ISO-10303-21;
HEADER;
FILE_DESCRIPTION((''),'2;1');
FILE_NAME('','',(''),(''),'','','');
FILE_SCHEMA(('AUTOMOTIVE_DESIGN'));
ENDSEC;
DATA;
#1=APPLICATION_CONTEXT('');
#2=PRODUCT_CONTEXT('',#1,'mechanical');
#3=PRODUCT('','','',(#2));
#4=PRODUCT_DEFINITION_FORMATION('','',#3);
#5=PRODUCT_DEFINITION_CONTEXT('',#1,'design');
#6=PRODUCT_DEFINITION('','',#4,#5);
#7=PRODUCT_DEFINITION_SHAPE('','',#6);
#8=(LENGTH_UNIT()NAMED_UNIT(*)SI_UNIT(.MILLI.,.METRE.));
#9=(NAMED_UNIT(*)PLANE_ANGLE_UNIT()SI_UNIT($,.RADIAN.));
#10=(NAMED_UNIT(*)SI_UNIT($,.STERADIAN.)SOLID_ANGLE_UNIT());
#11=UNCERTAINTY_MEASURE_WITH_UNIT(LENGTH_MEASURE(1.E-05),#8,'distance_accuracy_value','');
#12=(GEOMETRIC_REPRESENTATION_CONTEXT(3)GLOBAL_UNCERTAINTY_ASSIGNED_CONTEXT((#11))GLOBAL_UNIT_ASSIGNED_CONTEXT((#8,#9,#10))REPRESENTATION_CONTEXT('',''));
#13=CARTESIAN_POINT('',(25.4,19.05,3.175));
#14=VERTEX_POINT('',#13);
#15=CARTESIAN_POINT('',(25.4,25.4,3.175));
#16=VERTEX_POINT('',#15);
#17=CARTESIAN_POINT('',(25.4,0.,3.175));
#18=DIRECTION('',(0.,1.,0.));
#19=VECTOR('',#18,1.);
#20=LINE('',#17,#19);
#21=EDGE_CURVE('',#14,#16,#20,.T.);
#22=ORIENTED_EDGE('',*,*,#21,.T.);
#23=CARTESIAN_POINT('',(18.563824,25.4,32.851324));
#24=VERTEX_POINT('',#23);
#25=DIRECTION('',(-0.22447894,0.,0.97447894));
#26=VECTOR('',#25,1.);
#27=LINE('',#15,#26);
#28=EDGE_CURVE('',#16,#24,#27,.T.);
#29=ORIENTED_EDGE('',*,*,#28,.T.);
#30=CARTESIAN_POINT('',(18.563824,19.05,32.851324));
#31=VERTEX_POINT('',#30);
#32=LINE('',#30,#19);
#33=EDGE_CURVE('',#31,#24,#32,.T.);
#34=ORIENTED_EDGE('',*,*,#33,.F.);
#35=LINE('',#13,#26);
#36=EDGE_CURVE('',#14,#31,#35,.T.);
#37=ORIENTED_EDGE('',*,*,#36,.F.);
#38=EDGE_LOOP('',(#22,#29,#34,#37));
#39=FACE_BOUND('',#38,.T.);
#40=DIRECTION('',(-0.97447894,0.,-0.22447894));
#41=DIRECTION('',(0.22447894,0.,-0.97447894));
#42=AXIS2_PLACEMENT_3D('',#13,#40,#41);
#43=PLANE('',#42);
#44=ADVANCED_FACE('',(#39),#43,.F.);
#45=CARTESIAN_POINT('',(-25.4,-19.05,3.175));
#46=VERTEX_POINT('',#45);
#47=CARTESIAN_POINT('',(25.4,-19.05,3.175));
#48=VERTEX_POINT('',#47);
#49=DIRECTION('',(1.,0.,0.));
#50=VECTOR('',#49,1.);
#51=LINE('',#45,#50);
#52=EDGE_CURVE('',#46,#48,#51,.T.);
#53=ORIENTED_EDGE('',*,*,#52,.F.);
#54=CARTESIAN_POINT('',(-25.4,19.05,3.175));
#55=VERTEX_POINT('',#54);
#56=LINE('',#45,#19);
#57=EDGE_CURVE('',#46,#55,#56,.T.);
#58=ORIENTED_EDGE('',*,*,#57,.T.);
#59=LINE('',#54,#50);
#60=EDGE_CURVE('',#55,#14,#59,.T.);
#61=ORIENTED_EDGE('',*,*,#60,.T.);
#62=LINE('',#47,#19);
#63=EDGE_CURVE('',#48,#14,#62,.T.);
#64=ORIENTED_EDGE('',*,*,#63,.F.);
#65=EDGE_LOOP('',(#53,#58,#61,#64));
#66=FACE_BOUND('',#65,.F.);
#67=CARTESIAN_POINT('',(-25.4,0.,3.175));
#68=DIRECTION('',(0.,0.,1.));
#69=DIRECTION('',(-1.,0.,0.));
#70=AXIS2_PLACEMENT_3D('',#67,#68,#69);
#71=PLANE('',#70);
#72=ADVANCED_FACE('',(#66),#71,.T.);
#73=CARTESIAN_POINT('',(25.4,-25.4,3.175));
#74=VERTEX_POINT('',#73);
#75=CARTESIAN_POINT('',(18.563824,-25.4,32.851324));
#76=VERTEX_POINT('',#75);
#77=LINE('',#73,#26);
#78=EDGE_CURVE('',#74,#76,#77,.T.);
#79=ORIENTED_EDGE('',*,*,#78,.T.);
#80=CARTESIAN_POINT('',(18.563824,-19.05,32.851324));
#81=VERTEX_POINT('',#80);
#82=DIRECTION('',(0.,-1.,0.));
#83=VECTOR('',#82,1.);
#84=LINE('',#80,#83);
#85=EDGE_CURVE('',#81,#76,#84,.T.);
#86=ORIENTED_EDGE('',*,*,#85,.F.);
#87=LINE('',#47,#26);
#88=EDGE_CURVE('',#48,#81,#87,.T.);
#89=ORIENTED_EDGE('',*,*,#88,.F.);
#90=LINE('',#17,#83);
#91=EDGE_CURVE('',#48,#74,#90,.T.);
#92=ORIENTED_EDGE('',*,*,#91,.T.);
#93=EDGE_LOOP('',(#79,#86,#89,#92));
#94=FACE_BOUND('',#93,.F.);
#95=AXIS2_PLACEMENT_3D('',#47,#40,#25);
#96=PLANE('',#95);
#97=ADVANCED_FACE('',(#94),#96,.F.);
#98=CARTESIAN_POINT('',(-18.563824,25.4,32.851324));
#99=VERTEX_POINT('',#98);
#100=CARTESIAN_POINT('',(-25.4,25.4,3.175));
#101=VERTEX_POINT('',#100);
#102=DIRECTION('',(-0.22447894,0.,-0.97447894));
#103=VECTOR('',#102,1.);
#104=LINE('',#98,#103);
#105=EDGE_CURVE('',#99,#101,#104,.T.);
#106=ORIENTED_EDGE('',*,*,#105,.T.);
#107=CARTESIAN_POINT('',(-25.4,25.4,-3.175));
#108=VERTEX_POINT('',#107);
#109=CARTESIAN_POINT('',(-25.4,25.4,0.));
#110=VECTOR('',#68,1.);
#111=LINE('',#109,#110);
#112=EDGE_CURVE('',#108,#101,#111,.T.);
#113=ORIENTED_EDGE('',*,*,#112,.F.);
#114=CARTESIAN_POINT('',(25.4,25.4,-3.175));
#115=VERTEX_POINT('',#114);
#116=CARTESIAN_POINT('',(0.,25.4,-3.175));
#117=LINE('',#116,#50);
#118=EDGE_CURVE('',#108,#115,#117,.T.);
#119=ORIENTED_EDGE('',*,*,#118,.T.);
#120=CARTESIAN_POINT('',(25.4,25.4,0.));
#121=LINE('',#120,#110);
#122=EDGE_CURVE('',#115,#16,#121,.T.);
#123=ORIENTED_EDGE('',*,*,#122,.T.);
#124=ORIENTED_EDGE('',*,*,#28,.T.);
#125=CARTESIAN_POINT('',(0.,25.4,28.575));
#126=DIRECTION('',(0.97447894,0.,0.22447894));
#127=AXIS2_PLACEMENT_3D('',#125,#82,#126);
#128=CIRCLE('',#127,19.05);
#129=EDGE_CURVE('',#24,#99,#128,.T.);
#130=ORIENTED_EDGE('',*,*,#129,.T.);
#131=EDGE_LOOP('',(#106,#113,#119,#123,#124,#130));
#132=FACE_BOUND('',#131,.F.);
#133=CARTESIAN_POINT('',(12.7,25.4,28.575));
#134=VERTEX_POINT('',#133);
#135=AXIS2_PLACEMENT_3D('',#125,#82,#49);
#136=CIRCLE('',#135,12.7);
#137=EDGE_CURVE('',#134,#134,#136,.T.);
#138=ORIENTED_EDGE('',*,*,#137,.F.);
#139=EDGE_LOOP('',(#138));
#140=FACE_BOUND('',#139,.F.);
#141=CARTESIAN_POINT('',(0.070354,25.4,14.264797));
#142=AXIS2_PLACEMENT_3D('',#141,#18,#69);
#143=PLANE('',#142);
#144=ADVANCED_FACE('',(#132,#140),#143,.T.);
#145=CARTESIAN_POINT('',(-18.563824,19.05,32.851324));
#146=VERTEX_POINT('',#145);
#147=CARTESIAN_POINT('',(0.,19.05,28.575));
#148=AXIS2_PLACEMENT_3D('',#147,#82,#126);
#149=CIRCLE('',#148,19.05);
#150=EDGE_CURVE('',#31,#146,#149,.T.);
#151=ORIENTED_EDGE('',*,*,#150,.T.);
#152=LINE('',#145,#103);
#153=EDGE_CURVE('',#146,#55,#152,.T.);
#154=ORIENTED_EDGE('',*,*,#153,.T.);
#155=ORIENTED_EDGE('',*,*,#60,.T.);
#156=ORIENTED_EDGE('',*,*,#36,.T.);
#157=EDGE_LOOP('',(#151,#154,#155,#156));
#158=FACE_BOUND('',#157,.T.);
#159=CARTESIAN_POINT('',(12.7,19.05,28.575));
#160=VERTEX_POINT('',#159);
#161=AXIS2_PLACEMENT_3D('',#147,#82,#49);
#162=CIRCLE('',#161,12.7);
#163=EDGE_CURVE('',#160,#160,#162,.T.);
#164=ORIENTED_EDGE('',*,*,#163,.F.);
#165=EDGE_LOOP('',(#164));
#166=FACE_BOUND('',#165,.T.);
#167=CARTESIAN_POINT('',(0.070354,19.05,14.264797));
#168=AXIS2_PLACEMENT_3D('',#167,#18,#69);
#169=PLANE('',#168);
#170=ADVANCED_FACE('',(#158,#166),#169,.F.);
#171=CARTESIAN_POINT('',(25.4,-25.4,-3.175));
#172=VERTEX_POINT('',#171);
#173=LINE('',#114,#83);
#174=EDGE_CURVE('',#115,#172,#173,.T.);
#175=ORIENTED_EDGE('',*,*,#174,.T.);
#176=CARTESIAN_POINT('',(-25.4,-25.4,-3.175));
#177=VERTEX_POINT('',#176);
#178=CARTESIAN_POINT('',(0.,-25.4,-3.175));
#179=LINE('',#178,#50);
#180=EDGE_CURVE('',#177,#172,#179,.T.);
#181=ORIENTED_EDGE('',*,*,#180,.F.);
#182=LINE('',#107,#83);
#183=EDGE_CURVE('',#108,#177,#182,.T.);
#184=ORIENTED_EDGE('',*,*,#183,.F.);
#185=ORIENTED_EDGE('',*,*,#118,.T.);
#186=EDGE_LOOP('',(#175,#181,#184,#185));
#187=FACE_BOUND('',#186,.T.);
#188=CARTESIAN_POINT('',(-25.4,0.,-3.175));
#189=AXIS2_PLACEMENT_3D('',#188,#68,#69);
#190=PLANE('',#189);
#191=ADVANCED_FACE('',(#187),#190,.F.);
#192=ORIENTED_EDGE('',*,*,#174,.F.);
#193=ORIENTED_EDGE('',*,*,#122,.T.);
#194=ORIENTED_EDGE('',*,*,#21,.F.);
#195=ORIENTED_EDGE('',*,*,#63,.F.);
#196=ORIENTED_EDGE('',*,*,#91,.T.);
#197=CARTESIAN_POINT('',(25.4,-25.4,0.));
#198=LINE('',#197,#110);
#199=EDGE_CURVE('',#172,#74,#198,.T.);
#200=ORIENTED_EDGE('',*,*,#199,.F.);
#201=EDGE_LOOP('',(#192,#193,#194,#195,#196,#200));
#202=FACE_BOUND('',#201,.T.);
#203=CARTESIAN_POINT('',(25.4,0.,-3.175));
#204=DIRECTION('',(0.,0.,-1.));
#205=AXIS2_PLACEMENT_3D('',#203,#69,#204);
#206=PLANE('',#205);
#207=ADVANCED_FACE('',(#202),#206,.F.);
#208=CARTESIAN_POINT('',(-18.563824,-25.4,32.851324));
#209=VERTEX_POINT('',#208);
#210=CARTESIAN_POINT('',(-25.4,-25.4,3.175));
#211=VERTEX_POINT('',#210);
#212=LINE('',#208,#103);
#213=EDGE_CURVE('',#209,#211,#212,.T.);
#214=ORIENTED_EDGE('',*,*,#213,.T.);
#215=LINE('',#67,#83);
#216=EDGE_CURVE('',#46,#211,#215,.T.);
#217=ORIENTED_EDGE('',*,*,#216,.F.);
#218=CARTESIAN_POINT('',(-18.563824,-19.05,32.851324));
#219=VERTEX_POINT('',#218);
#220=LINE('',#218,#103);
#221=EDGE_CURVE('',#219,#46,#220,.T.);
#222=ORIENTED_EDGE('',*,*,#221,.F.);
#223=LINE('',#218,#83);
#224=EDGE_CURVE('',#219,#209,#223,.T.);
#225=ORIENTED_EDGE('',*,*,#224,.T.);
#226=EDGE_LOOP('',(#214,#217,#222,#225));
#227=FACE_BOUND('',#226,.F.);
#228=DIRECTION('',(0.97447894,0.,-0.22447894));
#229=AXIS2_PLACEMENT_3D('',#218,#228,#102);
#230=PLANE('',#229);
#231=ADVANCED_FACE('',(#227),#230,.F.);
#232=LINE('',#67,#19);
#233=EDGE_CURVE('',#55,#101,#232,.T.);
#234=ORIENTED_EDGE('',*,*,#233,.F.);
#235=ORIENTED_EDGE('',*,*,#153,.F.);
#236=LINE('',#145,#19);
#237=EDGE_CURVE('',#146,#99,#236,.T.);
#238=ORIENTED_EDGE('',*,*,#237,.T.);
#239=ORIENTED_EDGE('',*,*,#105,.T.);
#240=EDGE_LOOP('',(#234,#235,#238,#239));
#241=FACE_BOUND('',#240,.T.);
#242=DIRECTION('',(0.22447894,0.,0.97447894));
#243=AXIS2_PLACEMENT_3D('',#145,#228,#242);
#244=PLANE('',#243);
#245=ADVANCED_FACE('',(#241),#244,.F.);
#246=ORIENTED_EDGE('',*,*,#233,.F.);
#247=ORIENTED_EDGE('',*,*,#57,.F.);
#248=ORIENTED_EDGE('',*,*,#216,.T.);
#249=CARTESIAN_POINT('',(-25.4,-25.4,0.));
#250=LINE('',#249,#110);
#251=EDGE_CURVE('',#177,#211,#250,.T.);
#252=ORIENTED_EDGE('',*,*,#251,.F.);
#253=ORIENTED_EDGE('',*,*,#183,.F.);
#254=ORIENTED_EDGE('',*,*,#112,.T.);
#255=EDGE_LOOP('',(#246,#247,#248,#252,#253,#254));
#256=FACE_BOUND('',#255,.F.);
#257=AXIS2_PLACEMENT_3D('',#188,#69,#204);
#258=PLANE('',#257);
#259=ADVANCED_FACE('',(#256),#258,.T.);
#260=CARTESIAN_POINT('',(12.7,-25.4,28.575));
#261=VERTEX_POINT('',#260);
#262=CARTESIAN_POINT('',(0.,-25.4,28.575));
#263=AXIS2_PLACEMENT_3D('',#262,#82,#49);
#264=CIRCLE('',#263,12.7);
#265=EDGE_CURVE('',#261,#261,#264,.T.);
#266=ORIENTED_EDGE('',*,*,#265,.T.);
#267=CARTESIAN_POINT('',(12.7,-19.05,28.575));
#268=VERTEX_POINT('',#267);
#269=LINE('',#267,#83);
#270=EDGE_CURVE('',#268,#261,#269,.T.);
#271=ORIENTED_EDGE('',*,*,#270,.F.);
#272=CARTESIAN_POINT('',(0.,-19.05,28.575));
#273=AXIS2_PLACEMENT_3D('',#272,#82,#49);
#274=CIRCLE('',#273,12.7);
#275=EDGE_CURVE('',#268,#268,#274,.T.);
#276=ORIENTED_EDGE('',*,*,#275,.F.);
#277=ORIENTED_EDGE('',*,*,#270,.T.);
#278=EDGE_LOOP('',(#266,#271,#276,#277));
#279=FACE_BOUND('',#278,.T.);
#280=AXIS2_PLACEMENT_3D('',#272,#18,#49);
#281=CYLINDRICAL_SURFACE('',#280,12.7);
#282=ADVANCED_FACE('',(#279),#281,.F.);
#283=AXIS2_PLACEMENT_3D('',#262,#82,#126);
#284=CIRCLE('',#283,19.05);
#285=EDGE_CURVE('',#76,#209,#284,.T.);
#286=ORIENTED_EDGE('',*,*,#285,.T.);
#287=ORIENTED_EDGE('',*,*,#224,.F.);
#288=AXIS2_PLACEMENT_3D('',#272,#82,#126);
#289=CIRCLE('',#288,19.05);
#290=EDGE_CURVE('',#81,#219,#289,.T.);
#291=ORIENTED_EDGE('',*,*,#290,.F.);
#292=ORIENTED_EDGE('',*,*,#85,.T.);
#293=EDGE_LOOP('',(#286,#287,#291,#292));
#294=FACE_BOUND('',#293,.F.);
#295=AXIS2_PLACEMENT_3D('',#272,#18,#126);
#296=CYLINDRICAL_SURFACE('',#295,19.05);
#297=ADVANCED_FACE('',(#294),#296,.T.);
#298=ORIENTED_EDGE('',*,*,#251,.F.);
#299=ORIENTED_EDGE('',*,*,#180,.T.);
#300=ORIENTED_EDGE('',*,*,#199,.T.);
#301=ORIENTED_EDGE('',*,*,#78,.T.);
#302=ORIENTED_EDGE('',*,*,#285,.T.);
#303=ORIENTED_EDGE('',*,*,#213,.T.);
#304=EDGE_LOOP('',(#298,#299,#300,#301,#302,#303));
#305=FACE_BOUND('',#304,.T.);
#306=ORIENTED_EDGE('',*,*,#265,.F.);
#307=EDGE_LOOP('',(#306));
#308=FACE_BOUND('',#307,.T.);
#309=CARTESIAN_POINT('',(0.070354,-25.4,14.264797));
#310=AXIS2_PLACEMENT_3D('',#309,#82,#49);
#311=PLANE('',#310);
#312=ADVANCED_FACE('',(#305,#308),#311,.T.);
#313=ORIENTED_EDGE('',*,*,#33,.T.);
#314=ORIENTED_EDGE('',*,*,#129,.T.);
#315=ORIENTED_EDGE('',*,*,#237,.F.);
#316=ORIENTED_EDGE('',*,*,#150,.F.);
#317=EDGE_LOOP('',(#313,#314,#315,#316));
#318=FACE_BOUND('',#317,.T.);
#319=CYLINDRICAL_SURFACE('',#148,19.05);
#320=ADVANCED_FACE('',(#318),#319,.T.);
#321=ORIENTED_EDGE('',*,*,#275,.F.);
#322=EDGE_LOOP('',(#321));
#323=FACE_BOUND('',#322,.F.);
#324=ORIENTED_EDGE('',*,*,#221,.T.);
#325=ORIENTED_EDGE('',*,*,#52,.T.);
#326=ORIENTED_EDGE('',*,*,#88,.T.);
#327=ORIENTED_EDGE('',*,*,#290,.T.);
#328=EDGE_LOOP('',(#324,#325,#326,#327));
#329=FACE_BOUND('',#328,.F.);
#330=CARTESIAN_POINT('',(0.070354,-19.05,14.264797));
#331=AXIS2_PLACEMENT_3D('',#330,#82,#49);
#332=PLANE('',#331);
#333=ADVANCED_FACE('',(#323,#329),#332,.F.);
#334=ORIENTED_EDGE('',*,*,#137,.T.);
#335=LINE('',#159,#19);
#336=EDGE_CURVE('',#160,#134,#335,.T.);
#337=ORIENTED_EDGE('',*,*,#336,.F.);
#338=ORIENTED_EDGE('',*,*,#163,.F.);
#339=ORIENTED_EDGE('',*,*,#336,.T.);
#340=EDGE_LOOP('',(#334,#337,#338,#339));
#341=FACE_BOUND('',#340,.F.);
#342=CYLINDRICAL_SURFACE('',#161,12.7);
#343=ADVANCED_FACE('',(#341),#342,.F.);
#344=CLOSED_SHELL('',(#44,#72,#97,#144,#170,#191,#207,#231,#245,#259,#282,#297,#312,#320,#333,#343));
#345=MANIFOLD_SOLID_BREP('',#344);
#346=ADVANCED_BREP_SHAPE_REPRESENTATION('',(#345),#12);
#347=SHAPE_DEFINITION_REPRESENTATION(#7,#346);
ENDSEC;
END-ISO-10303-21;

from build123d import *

# Parameters (mm, degrees)
F0_W     = 50.8
F0_H     = 6.35
F1_DEPTH = 25.4
F2_START = 19.05
F0_R     = 12.7
F2_DEPTH = 6.35


with BuildPart() as f1:
    # F0 (on Front) → F1 (new body)
    with BuildSketch(Plane.XZ):
        Rectangle(F0_W, F0_H)
    extrude(amount=F1_DEPTH)

    # F0 (on Front) → F2 (join)
    with BuildSketch(Plane.XZ.offset(F2_START)):
        with BuildLine():
            Line((-25.4, 3.175), (25.4, 3.175))
            Line((25.4, 3.175), (18.5638238149, 32.8513238149))
            ThreePointArc((18.5638238149, 32.8513238149), (18.9280657183, 30.7269359106), (19.05, 28.575))
            ThreePointArc((19.05, 28.575), (-2.1519359106, 9.6469342817), (-18.5638238149, 32.8513238149))
            Line((-18.5638238149, 32.8513238149), (-25.4, 3.175))
        make_face()
        with BuildLine():
            ThreePointArc((19.05, 28.575), (18.9280657183, 30.7269359106), (18.5638238149, 32.8513238149))
            ThreePointArc((18.5638238149, 32.8513238149), (0, 47.625), (-18.5638238149, 32.8513238149))
            ThreePointArc((-18.5638238149, 32.8513238149), (-2.1519359106, 9.6469342817), (19.05, 28.575))
        make_face()
        with Locations((0, 28.575)):
            Circle(F0_R, mode=Mode.SUBTRACT)
    extrude(amount=F2_DEPTH)

    # F3: F1 across plane


with BuildPart() as f1_1:
    add(f1.part)
    add(f1.part.mirror(Plane.XZ))


solid = f1_1.part
